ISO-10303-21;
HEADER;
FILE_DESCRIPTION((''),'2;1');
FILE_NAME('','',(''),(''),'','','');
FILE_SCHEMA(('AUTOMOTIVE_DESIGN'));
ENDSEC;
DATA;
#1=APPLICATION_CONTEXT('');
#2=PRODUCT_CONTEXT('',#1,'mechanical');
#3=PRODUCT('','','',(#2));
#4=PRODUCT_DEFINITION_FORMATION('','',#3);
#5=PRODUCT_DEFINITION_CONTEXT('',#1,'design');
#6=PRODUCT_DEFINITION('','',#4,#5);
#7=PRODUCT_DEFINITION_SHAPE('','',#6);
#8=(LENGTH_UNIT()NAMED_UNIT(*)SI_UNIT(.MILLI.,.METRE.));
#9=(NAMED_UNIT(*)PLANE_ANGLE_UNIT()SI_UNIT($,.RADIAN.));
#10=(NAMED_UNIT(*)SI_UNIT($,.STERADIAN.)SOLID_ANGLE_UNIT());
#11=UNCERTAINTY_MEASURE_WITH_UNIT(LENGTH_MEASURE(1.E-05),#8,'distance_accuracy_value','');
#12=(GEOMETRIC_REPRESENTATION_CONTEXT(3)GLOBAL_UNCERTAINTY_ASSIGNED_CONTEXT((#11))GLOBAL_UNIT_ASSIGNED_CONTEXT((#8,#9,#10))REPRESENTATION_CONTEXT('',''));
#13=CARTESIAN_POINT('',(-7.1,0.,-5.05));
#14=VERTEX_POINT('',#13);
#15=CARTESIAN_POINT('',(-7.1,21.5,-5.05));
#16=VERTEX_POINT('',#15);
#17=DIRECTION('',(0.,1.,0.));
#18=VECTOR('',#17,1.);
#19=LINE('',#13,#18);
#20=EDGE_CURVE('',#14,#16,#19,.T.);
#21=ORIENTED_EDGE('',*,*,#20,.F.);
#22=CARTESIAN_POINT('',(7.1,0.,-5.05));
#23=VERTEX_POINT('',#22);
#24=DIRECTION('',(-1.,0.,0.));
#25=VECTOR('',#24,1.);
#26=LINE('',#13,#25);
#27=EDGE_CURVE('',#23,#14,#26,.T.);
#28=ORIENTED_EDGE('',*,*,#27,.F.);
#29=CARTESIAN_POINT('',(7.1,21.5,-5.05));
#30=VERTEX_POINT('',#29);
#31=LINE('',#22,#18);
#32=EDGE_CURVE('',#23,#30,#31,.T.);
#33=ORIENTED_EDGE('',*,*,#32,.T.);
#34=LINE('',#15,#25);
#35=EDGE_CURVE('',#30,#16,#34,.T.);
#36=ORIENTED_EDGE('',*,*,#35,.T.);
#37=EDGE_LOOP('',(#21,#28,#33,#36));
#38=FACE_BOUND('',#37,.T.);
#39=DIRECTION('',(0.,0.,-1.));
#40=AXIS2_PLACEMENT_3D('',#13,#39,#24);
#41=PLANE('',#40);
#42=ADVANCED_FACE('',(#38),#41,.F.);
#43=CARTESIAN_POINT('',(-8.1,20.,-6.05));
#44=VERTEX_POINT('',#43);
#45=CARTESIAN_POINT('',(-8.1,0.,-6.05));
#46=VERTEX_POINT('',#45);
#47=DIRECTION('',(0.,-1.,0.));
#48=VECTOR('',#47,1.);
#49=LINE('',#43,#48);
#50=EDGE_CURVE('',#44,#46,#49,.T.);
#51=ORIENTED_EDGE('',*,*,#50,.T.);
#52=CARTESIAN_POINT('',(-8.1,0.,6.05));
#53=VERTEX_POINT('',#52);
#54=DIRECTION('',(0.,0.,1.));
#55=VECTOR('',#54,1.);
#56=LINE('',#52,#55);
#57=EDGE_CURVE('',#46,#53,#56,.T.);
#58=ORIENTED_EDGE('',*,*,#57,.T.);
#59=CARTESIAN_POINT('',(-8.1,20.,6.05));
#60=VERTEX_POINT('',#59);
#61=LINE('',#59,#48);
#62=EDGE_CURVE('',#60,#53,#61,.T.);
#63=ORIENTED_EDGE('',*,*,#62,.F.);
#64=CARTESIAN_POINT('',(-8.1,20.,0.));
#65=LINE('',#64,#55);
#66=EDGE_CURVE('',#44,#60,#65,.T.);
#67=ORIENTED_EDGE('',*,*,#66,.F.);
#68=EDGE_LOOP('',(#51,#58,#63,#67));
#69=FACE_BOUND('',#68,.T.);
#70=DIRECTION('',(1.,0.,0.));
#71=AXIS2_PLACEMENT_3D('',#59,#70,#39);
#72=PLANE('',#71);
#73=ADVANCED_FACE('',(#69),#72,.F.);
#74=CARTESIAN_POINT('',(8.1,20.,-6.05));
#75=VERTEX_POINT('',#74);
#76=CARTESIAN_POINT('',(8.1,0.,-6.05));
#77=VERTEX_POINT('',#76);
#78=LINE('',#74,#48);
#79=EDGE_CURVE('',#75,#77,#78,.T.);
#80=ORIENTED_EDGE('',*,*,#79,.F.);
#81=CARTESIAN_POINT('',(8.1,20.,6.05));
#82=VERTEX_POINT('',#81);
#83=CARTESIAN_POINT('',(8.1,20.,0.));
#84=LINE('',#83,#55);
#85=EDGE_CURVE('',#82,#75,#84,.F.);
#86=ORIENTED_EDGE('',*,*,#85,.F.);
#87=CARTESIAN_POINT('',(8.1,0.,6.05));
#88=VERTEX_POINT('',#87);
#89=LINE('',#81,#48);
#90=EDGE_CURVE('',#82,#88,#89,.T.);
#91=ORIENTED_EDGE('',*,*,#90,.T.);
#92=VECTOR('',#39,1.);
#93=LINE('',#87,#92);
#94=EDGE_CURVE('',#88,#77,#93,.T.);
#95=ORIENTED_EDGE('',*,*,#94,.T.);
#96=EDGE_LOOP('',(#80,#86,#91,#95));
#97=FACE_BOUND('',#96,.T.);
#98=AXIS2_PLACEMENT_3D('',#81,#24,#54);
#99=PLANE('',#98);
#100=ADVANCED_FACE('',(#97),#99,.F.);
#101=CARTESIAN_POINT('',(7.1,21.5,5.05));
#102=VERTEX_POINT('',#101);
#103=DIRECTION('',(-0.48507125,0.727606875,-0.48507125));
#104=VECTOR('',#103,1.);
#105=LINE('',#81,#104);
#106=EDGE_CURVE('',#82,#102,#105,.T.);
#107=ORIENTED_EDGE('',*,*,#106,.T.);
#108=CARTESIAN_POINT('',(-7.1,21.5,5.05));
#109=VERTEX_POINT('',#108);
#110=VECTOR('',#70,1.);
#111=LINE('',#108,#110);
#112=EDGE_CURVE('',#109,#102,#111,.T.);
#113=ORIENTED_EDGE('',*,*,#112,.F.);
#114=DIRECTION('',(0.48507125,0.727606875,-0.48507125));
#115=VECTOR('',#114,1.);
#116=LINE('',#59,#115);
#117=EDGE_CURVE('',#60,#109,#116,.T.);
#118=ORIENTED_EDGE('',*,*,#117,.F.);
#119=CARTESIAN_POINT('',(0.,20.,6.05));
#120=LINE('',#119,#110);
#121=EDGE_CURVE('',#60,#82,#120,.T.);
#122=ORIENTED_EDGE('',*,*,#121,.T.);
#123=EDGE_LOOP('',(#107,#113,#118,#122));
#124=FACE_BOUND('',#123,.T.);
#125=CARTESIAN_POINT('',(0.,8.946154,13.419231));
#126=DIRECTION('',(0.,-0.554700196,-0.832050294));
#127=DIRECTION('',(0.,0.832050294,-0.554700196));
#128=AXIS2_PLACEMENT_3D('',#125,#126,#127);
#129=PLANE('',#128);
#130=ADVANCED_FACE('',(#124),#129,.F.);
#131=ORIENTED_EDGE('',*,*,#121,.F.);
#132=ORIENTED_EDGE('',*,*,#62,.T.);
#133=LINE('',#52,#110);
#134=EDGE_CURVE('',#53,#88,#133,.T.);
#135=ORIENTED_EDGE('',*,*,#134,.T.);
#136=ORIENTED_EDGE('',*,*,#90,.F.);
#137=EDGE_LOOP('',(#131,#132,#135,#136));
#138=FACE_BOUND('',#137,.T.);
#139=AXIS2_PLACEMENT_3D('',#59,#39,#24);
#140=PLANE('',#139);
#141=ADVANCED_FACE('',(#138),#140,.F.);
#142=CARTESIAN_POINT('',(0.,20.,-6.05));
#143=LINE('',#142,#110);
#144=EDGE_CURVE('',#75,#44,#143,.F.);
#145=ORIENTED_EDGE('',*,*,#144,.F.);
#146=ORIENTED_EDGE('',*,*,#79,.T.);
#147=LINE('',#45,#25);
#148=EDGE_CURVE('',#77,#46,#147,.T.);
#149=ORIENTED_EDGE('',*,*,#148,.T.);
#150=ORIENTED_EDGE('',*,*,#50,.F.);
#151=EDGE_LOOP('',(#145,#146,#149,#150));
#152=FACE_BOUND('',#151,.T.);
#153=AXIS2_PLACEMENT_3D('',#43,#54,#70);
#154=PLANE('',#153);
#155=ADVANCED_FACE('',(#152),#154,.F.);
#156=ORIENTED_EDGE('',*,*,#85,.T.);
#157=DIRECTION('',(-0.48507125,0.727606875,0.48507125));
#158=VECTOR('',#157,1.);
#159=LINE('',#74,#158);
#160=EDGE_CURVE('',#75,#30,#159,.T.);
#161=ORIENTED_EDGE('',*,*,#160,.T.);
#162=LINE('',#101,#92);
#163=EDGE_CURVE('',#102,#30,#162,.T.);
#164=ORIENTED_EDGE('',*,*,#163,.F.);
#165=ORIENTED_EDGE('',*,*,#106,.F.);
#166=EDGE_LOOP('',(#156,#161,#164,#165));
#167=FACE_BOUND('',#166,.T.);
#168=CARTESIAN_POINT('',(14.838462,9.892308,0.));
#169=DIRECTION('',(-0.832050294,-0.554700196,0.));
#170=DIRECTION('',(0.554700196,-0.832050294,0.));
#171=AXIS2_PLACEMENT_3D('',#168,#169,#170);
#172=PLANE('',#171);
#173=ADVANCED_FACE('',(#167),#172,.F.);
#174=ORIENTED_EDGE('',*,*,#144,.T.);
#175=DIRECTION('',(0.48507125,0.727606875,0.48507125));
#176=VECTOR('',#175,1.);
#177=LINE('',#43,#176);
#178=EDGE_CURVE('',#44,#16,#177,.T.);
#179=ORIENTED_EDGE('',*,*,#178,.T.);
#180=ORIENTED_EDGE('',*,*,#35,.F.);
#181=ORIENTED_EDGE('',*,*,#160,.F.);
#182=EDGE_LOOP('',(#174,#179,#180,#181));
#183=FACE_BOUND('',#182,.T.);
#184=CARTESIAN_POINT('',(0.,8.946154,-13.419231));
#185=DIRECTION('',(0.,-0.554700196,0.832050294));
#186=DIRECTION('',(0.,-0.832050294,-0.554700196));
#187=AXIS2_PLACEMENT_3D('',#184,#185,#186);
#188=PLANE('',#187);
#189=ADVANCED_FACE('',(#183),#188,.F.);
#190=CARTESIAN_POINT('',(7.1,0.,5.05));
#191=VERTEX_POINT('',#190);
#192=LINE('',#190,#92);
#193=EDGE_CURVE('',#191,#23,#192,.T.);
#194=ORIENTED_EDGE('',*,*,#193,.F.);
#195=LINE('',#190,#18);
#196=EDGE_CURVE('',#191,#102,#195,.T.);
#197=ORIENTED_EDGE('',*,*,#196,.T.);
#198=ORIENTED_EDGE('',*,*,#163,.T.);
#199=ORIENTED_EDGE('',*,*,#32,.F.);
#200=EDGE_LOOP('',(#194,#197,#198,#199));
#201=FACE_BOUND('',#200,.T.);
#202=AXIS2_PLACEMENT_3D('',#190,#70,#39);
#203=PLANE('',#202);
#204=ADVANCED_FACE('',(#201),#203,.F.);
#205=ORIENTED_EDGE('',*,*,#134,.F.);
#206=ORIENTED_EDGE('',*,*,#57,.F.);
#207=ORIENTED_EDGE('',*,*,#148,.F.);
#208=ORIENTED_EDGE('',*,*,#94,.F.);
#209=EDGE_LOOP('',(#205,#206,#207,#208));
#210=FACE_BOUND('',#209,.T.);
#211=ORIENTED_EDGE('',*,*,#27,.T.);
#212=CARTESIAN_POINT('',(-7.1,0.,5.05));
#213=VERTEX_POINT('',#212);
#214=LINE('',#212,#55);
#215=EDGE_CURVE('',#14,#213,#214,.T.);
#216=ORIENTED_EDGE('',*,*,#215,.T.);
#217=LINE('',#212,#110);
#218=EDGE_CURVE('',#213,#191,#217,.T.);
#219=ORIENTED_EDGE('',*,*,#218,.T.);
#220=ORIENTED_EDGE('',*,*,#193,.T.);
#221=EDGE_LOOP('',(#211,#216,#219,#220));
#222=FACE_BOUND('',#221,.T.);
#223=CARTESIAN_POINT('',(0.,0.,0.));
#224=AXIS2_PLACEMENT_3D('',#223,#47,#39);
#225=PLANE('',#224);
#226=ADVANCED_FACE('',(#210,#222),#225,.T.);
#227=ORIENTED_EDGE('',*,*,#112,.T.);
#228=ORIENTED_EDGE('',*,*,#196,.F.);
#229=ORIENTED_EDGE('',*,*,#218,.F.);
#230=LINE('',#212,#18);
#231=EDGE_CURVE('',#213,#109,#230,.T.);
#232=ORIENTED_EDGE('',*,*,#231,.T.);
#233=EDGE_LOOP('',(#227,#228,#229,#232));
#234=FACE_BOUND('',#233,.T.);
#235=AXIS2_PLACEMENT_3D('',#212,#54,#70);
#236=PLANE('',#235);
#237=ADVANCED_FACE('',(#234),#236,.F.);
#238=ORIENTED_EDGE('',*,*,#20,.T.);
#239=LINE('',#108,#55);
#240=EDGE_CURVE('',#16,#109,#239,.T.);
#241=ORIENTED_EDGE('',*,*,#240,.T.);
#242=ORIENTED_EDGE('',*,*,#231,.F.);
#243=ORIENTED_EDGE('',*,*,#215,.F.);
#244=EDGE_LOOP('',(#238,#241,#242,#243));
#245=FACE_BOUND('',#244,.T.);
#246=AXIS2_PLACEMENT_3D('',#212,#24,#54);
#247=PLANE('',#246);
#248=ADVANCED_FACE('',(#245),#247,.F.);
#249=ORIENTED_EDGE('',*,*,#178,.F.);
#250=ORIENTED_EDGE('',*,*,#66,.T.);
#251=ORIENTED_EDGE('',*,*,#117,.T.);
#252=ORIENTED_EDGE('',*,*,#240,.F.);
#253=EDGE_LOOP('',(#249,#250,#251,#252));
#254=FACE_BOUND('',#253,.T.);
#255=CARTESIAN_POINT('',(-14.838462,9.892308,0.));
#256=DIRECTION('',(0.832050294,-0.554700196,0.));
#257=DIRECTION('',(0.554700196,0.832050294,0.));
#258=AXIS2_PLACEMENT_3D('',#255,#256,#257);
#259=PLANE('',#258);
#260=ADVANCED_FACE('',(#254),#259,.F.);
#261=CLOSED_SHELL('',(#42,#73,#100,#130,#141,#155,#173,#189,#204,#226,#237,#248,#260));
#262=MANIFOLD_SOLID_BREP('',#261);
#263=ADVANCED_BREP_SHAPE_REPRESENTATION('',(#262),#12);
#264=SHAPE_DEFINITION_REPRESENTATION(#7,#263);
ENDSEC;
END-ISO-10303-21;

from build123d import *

# Parameters (mm, degrees)
SKETCH1_W           = 16.2
SKETCH1_H           = 12.1
BOSS_EXTRUDE1_DEPTH = 20
SKETCH2_2_W         = 14.2
SKETCH2_2_H         = 10.1
CUT_EXTRUDE1_DEPTH  = 24.75841962


with BuildPart() as part:
    # Sketch1 → Boss-Extrude1 (new body)
    with BuildSketch(Plane(origin=(0, 0, 0), x_dir=(1, 0, 0), z_dir=(0, 1, 0))):
        Rectangle(SKETCH1_W, SKETCH1_H)
    extrude(amount=BOSS_EXTRUDE1_DEPTH)

    # Sketch2 → section 1 of loft1
    with BuildSketch(Plane(origin=(0, 21.5, 0), x_dir=(1, 0, 0), z_dir=(0, 1, 0)), mode=Mode.PRIVATE) as loft1_s1:
        with BuildLine():
            Line((-7.1, -5.05), (7.1, -5.05))
            Line((7.1, -5.05), (7.1, 5.05))
            Line((7.1, 5.05), (-7.1, 5.05))
            Line((-7.1, 5.05), (-7.1, -5.05))
        make_face()
    # loft from a face of the part (loft1)
    loft([part.faces().sort_by_distance((0, 20, 0))[0], loft1_s1.sketch])

    # Sketch2<2> → Cut-Extrude1 (cut, through all)
    with BuildSketch(Plane(origin=(0, 21.5, 0), x_dir=(1, 0, 0), z_dir=(0, 1, 0))):
        Rectangle(SKETCH2_2_W, SKETCH2_2_H)
    extrude(amount=-CUT_EXTRUDE1_DEPTH, mode=Mode.SUBTRACT)


solid = part.part
